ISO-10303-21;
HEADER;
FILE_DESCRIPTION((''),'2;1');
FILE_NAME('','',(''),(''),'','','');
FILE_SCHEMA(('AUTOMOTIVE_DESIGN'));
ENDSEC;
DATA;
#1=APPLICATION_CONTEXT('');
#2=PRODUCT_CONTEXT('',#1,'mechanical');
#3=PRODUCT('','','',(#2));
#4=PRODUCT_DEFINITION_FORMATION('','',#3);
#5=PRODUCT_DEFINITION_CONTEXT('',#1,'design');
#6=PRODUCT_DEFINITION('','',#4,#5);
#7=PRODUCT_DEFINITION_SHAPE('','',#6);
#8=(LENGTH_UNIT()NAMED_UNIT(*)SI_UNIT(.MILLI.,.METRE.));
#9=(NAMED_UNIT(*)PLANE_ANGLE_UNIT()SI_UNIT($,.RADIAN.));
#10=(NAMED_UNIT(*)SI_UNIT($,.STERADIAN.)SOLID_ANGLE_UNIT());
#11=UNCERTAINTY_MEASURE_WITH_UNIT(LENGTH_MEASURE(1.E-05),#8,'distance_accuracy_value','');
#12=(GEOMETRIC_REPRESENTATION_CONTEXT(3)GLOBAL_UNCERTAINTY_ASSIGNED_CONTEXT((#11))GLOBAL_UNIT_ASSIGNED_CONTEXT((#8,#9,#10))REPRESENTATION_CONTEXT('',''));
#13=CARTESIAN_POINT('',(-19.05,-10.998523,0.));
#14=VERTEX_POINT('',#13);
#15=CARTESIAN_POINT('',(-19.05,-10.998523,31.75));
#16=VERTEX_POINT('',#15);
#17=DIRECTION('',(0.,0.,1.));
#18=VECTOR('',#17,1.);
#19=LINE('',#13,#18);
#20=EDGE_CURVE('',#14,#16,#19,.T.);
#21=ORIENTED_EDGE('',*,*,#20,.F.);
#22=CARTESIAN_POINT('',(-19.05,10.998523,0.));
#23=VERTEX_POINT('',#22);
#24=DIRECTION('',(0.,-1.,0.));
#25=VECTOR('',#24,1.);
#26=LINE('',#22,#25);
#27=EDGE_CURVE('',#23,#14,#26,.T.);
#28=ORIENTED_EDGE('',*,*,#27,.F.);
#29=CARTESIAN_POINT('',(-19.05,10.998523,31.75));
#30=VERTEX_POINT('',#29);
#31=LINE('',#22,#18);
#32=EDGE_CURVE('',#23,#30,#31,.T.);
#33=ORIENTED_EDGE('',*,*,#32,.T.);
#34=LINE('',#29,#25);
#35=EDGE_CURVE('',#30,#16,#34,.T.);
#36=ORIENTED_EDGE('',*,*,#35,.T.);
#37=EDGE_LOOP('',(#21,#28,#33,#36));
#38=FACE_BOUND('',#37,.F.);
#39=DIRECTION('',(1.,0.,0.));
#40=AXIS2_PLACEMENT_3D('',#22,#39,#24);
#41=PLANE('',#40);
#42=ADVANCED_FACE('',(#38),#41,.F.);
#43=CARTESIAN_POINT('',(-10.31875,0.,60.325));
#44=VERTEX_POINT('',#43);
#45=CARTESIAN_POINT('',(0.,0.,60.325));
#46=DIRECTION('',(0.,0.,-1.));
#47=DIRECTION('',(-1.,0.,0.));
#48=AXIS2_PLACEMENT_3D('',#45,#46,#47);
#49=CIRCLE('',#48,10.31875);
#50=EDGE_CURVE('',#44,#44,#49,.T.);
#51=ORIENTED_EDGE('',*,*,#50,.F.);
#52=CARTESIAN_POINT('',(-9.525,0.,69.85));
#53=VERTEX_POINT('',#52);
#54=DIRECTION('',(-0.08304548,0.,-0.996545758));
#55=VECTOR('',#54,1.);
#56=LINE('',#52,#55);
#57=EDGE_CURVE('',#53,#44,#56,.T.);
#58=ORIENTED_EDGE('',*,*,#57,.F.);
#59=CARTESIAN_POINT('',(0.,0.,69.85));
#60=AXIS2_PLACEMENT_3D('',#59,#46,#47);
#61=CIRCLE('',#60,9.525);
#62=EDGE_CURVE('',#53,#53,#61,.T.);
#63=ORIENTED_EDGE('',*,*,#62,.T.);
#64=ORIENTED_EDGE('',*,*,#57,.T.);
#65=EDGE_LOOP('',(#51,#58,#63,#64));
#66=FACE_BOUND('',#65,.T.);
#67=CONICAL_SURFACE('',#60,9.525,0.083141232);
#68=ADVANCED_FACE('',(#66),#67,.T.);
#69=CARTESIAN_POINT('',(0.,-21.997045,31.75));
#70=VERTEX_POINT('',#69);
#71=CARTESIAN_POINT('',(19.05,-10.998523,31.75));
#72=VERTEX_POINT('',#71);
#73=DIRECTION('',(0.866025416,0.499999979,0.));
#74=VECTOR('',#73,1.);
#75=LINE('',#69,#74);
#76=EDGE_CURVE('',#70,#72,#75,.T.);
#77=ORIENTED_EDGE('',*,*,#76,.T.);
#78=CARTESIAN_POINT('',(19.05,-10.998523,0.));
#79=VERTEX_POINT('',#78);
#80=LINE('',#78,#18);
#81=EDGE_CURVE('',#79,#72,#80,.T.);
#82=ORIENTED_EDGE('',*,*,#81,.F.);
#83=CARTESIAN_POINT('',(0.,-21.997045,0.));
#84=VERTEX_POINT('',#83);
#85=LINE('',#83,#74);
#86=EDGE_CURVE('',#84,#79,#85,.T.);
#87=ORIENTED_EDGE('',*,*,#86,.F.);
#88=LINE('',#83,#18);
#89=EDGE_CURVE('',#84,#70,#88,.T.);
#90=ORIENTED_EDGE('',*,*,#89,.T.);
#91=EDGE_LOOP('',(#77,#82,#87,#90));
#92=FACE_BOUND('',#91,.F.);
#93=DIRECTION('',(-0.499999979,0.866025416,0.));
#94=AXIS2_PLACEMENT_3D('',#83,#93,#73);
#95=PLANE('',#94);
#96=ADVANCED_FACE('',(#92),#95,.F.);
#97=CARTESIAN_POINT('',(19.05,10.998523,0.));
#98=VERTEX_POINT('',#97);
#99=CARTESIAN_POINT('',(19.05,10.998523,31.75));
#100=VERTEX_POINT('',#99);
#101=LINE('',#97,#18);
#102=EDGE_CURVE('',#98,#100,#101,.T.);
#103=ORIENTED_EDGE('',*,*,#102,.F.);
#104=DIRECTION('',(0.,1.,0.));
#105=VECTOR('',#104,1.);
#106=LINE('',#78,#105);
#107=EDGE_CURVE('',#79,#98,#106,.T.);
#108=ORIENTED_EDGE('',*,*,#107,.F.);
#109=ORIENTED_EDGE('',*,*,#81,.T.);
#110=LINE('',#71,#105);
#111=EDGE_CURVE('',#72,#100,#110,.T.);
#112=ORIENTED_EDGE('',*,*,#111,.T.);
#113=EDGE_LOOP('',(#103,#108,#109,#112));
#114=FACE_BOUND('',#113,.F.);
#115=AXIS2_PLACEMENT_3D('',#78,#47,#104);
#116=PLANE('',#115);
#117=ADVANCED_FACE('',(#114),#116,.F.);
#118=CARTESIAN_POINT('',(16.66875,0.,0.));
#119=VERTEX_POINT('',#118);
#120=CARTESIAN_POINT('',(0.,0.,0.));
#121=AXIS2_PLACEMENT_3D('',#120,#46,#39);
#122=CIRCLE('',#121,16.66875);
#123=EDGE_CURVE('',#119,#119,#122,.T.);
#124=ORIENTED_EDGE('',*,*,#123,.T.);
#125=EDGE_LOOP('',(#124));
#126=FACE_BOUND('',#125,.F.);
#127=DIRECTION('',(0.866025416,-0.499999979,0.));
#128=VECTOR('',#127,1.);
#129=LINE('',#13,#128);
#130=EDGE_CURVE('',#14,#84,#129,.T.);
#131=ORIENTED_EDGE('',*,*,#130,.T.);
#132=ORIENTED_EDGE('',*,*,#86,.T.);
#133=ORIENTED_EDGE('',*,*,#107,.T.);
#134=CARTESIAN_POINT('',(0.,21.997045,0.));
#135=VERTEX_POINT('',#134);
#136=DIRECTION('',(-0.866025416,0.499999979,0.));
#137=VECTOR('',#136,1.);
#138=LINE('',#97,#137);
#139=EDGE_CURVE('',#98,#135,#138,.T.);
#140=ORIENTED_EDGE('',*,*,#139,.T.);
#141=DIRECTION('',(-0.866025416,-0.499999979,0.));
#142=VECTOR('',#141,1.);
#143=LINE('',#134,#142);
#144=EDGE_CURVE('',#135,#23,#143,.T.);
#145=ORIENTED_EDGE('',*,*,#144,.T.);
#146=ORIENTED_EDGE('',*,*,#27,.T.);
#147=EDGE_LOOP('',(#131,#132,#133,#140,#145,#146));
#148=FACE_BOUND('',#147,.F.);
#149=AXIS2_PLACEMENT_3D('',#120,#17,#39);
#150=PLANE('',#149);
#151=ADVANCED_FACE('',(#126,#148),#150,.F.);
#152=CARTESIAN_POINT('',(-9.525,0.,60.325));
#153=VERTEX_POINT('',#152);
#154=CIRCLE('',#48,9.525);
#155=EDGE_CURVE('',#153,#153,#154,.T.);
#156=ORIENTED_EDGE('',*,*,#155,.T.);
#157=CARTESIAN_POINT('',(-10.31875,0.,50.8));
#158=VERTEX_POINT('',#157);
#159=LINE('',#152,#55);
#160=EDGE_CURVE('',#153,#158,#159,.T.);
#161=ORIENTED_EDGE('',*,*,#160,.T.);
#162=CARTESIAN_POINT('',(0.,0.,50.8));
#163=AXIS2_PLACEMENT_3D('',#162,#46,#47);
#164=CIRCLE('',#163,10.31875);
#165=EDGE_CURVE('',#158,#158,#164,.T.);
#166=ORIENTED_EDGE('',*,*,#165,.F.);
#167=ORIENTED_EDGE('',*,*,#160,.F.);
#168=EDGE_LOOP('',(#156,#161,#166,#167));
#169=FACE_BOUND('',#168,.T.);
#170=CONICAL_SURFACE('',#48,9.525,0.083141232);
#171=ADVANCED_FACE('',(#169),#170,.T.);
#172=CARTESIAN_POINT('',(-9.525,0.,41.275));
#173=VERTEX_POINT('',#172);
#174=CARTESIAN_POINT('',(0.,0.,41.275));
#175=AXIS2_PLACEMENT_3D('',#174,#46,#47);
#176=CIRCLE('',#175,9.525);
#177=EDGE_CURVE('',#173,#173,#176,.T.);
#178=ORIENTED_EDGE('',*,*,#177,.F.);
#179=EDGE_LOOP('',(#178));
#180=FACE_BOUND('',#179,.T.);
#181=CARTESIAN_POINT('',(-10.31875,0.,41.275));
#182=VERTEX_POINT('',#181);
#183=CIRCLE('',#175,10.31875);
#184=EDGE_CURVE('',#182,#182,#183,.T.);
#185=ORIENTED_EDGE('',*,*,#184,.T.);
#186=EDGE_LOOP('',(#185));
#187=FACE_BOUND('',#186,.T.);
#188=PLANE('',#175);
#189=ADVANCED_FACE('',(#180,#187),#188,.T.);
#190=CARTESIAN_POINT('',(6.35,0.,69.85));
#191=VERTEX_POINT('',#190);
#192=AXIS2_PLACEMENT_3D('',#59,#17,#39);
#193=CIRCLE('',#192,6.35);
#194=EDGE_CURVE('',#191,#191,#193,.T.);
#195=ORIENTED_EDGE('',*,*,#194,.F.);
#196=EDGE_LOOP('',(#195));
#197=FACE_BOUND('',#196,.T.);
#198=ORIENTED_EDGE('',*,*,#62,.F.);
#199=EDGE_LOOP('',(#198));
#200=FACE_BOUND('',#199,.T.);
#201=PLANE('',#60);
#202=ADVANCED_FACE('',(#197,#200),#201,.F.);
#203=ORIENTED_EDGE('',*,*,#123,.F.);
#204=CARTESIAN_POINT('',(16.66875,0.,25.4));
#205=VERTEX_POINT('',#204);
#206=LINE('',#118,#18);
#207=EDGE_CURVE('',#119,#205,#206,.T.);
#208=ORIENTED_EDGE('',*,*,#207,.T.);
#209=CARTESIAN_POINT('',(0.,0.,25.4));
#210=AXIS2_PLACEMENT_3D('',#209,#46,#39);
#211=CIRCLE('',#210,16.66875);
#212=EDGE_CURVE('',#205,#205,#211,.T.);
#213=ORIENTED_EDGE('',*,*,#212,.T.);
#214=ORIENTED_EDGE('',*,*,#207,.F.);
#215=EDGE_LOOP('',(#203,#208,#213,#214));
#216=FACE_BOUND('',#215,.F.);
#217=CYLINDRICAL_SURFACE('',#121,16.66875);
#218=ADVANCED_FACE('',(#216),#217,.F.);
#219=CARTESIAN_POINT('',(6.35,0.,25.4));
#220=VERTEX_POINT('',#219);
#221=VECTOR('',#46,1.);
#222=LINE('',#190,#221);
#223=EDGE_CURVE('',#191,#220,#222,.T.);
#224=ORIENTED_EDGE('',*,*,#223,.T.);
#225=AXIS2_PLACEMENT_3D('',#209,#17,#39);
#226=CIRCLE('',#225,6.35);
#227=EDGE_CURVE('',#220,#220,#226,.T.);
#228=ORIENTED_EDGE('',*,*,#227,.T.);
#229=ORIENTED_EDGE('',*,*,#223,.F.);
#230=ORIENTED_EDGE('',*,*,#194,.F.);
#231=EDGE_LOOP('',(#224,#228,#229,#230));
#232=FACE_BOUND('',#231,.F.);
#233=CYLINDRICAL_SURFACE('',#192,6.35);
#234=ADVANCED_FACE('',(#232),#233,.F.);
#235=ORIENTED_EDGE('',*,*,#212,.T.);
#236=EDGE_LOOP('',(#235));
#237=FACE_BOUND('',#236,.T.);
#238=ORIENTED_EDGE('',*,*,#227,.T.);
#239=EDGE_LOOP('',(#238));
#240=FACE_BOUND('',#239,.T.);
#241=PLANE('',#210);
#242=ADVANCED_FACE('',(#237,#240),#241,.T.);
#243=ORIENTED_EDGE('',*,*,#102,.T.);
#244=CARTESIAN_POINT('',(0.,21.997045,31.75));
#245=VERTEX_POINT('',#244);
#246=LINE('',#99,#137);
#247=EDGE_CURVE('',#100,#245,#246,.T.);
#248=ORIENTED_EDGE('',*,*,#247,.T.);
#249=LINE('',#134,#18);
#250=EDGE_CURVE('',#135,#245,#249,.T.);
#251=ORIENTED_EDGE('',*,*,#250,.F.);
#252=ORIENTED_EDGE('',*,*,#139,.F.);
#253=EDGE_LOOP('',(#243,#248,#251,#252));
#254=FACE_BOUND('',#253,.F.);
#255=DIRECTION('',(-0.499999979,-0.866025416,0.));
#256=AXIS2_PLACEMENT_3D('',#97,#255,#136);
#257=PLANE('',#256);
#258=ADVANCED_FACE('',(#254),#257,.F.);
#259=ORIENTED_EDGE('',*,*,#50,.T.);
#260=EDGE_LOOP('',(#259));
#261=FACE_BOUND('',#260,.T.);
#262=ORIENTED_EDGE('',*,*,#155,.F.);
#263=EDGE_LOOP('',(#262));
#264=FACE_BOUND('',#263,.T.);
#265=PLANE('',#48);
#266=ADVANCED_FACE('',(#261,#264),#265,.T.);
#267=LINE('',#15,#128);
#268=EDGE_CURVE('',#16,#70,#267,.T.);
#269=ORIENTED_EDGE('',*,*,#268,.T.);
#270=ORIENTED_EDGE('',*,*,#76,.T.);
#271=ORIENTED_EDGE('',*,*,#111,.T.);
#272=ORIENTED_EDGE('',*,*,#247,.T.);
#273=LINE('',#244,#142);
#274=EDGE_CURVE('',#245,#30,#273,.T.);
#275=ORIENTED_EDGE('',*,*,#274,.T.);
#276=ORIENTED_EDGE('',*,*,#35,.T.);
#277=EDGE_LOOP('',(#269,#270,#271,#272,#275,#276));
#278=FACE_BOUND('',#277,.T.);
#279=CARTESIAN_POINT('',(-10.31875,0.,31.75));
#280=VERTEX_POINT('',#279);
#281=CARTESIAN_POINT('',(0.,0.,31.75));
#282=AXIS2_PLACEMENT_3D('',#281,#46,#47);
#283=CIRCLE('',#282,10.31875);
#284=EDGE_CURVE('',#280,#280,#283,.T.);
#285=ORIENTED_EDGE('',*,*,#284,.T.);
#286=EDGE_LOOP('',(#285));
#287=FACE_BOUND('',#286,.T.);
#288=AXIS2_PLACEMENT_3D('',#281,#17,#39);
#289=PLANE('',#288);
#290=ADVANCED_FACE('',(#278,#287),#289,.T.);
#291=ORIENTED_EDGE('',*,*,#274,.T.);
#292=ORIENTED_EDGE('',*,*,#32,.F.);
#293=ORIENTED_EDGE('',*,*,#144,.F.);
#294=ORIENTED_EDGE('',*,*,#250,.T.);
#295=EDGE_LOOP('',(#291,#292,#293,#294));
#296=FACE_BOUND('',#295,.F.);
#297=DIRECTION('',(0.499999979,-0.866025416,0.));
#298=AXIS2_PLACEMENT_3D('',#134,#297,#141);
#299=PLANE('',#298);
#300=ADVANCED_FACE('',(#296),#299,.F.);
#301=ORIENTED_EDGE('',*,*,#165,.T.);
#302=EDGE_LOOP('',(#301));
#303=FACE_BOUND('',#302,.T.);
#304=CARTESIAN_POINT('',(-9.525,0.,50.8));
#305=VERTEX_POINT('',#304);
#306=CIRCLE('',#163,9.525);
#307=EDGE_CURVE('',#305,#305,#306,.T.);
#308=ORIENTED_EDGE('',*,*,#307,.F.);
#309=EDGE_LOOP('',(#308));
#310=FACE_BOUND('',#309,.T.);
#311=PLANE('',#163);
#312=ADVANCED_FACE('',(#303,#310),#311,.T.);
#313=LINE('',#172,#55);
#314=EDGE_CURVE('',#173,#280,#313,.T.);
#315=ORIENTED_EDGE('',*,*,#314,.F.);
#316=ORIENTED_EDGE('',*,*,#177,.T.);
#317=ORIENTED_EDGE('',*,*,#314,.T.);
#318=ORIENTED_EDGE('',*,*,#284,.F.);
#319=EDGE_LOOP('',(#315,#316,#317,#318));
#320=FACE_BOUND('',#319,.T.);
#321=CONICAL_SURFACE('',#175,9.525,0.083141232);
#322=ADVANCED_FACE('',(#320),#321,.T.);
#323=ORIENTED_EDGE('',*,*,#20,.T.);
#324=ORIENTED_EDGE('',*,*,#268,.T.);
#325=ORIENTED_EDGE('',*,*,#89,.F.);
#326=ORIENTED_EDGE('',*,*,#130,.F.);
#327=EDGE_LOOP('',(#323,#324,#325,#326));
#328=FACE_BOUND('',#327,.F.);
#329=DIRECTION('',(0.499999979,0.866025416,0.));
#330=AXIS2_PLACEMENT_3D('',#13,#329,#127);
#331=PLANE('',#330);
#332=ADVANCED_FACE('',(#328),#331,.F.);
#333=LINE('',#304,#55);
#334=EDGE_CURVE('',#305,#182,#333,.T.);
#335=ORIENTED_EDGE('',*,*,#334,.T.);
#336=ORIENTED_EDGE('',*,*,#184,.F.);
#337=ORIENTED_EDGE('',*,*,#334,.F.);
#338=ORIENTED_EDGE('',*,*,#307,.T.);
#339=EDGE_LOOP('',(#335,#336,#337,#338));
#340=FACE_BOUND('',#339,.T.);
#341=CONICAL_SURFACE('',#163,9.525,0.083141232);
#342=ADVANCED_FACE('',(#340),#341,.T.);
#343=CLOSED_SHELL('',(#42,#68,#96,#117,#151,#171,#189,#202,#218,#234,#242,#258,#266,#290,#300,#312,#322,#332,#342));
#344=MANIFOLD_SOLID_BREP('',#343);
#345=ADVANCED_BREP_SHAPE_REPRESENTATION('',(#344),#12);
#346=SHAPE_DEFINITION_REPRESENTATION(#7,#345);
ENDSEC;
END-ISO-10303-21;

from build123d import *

# Parameters (mm, degrees)
F1_DEPTH = 31.75
F4_R     = 6.35
F5_DEPTH = 101.6
F6_R     = 16.66875
F7_DEPTH = 25.4


with BuildPart() as f1:
    # F0 (on Top) → F1 (new body)
    with BuildSketch(Plane.XY):
        Polygon((19.05, 10.998523), (0, 21.997045), (-19.05, 10.998523), (-19.05, -10.998523), (0, -21.997045), (19.05, -10.998523), align=None)
    extrude(amount=F1_DEPTH)

    # F2 (on Front) → F3 (revolve)
    with BuildSketch(Plane.XZ):
        Polygon((0, 31.75), (0, 69.85), (-9.525, 69.85), (-10.31875, 60.325), (-9.525, 60.325), (-10.31875, 50.8), (-9.525, 50.8), (-10.31875, 41.275), (-9.525, 41.275), (-10.31875, 31.75), align=None)
    revolve(axis=Axis((0, 0, 50.8), (0, 0, -1)))

    # F4 (on face) → F5 (cut)
    with BuildSketch(Plane.XY.offset(69.85)):
        Circle(F4_R)
    extrude(amount=-F5_DEPTH, mode=Mode.SUBTRACT)

    # F6 (on face) → F7 (cut)
    with BuildSketch(Plane(origin=(0, 0, 0), x_dir=(1, 0, 0), z_dir=(0, 0, -1))):
        Circle(F6_R)
    extrude(amount=-F7_DEPTH, mode=Mode.SUBTRACT)


solid = f1.part
